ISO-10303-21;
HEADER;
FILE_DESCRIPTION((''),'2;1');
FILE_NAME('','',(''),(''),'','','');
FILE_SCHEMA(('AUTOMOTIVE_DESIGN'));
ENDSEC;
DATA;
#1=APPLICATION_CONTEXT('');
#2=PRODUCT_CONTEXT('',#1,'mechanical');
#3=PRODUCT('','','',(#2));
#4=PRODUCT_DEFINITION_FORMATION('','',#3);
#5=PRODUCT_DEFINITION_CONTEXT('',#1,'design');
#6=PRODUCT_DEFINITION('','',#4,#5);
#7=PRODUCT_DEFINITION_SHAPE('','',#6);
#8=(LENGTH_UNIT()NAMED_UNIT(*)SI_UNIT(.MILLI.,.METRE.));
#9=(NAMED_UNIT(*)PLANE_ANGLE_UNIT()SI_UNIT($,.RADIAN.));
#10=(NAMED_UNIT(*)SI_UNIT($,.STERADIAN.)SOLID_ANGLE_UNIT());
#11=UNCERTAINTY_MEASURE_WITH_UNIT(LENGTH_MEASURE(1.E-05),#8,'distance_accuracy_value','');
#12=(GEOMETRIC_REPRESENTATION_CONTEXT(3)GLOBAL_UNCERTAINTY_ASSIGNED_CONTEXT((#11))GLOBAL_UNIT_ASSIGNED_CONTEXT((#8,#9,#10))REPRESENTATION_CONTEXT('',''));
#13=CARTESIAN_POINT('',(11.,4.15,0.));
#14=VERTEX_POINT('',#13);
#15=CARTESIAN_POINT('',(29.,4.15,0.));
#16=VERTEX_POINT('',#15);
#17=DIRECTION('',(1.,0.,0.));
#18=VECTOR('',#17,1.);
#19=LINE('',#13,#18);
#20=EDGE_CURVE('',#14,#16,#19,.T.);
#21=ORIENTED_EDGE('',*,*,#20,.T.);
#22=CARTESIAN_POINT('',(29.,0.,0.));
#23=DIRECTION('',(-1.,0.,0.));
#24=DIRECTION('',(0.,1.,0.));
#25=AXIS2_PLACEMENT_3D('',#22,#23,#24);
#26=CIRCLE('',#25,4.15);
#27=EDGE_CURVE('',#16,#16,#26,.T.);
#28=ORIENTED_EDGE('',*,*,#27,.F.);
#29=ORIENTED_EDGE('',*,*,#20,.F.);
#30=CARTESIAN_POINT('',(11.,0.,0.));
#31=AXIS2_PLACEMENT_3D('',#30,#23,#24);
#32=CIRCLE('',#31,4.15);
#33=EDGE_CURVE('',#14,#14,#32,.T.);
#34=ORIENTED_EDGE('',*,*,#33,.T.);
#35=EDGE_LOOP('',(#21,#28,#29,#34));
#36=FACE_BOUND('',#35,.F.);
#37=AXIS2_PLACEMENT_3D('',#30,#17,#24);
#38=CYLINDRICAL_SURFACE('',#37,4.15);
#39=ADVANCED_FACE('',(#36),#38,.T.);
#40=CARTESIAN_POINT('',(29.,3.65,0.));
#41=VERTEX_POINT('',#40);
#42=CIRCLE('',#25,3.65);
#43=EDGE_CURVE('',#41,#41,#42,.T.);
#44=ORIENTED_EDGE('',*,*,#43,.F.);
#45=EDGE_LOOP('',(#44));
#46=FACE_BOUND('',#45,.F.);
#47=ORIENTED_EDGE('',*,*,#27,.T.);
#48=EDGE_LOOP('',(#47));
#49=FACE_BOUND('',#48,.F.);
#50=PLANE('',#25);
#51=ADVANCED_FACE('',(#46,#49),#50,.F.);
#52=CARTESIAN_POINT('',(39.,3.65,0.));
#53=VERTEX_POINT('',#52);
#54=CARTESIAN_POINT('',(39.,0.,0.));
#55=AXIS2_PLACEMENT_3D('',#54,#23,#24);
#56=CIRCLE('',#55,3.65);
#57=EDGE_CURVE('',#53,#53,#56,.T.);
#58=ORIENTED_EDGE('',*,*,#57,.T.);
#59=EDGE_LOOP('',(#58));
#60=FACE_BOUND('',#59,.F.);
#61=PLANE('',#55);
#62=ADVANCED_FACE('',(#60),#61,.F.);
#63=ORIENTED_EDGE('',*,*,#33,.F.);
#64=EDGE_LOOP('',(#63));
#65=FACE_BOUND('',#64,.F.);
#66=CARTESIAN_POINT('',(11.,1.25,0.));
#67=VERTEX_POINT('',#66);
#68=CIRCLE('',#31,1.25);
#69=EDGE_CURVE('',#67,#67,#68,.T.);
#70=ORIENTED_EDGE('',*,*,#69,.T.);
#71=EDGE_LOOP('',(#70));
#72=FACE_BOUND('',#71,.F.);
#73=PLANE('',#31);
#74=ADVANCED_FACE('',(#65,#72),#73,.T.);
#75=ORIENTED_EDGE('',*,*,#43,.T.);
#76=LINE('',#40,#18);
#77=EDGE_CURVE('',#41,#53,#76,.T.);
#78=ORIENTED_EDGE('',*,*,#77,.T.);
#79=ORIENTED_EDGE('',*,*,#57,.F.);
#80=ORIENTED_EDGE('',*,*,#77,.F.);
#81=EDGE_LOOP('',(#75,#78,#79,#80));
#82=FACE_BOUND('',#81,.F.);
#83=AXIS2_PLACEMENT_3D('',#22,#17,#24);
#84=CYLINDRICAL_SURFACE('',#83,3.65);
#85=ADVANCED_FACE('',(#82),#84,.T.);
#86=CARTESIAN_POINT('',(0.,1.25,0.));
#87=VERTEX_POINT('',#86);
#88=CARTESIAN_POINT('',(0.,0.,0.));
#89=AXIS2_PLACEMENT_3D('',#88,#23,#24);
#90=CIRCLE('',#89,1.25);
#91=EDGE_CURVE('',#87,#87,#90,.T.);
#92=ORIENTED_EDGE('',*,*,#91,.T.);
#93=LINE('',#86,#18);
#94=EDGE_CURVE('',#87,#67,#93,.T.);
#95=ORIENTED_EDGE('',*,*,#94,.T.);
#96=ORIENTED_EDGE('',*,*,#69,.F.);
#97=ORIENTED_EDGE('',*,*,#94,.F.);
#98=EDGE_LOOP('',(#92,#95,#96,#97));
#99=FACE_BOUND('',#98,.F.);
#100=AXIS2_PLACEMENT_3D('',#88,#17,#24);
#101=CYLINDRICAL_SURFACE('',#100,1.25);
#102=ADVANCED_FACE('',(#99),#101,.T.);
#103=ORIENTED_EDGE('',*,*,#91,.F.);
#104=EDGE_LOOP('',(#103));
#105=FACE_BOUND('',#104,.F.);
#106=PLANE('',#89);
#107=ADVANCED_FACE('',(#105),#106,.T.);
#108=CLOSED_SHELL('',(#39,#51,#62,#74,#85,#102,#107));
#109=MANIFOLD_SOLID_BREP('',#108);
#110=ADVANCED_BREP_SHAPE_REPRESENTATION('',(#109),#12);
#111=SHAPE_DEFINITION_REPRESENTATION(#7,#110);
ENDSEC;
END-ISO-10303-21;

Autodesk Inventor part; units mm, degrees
ref_plane "YZ Plane" through (0, 0, 0) normal (1, 0, 0) x (0, 1, 0)
ref_plane "XZ Plane" through (0, 0, 0) normal (0, 1, 0) x (-1, 0, 0)
ref_plane "XY Plane" through (0, 0, 0) normal (0, 0, 1) x (1, 0, 0)
sketch "スケッチ1" plane through (0, 0, 0) normal (0, 0, 1) x (1, 0, 0)
  line L0 (0, 0) -> (0, 1.25)
  line L1 (0, 1.25) -> (11, 1.25)
  line L2 (11, 1.25) -> (11, 4.15)
  line L3 (11, 4.15) -> (29, 4.15)
  line L4 (29, 4.15) -> (29, 3.65)
  line L5 (29, 3.65) -> (39, 3.65)
  line L6 (39, 3.65) -> (39, 0)
  line L7 (39, 0) -> (0, 0)
  dimension "d0" = 1.25
  dimension "d1" = 11
  dimension "d2" = 18
  dimension "d3" = 4.15
  dimension "d4" = 0.5
  dimension "d5" = 10
revolve "回転1" add sketch "スケッチ1" angle 360 about axis through (39, 0, 0) along (-1, 0, 0)
properties part number "Parts_MP-101MH" material "ABS プラスチック"
